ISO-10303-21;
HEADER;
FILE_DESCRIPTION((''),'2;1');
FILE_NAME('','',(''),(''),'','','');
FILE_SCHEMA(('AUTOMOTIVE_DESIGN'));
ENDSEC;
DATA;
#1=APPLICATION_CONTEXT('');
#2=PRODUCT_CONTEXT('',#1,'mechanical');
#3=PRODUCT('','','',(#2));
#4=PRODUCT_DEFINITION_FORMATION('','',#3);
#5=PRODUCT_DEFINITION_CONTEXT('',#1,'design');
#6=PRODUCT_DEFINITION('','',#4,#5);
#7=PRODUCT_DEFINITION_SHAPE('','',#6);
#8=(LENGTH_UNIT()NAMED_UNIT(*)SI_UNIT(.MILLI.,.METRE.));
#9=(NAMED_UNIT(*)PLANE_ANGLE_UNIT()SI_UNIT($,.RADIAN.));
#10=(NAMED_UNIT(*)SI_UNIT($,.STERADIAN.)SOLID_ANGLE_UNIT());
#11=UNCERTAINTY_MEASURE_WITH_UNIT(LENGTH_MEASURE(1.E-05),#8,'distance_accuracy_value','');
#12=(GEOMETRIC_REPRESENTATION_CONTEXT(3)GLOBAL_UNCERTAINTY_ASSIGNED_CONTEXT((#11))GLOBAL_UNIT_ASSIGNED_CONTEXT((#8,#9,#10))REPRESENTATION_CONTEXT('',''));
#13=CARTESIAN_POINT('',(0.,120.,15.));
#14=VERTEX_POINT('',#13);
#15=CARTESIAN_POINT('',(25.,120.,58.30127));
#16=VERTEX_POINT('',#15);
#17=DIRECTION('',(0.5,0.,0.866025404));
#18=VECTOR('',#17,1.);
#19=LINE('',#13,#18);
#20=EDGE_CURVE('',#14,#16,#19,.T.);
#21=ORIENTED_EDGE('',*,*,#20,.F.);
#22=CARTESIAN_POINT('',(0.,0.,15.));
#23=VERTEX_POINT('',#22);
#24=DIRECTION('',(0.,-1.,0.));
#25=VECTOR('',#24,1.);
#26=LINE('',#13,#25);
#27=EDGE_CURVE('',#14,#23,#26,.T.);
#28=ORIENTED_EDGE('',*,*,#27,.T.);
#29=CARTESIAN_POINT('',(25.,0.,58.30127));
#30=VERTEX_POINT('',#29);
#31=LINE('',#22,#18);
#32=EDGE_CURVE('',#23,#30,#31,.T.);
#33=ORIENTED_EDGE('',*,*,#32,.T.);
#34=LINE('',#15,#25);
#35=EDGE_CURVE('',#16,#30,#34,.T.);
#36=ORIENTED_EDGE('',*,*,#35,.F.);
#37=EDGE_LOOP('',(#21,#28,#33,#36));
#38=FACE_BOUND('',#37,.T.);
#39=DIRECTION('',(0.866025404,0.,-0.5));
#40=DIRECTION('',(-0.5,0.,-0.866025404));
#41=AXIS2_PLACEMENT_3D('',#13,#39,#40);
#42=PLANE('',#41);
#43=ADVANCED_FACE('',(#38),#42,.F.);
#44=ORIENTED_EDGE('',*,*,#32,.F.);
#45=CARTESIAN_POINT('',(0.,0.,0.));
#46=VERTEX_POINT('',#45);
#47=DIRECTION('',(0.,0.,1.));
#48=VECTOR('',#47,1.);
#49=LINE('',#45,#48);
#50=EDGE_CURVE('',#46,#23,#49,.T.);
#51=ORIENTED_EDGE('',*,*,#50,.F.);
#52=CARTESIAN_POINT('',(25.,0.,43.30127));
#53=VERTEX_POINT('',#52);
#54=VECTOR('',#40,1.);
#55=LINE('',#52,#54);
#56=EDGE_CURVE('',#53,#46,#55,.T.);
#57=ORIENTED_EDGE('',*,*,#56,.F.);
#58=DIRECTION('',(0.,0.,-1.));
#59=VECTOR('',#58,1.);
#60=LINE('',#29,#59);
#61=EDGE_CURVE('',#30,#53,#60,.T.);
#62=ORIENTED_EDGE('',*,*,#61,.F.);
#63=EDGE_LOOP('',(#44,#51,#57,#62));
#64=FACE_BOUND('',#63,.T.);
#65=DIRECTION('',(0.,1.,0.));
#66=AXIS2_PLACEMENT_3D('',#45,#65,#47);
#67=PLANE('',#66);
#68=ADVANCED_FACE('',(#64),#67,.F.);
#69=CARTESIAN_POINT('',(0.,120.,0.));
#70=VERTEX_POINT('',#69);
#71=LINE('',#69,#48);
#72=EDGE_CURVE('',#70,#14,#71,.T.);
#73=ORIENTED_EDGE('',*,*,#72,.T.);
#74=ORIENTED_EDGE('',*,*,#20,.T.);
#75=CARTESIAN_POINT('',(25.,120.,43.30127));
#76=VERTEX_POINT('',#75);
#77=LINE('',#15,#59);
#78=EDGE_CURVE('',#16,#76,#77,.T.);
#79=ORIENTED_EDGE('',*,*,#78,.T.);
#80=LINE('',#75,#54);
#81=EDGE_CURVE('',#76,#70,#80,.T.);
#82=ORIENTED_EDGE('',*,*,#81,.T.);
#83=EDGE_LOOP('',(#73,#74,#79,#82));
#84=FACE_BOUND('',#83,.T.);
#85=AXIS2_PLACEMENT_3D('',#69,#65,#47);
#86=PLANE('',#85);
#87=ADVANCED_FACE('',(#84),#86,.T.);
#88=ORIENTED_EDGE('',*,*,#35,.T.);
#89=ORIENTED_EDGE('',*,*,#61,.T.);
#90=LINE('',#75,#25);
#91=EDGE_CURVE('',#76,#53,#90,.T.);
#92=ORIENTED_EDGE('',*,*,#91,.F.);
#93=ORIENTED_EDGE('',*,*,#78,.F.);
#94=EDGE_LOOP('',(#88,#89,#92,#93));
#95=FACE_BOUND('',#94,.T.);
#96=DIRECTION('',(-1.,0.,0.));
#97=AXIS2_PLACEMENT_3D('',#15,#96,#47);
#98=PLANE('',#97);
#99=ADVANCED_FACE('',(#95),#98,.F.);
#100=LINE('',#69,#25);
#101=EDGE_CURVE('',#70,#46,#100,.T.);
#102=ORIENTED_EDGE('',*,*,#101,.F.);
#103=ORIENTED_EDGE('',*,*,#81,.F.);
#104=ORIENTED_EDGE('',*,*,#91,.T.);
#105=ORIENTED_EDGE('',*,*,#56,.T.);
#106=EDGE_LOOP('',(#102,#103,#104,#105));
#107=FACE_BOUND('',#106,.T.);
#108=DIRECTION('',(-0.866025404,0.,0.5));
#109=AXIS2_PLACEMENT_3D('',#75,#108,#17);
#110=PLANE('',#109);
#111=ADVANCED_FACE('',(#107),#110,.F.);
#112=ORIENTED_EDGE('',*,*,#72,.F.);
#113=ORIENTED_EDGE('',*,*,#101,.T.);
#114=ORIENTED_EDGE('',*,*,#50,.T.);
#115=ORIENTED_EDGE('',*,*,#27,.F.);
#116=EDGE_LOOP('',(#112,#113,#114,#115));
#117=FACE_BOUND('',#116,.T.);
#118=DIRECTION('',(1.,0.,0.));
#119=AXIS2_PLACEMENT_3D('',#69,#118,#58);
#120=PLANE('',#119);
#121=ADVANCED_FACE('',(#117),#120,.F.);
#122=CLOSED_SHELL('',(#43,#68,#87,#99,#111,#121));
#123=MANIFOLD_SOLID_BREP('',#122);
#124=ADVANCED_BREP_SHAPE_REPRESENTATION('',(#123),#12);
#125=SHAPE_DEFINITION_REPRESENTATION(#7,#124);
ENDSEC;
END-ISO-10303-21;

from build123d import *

# Parameters (mm, degrees)
EXTRUDE_1_DEPTH = 120


with BuildPart() as part:
    # 草图1 → 凸台-拉伸1 (new body)
    with BuildSketch(Plane(origin=(0, 0, 0), x_dir=(1, 0, 0), z_dir=(0, 1, 0))):
        Polygon((0, 0), (0, -15), (25, -58.301270189), (25, -43.301270189), align=None)
    extrude(amount=EXTRUDE_1_DEPTH)


solid = part.part
